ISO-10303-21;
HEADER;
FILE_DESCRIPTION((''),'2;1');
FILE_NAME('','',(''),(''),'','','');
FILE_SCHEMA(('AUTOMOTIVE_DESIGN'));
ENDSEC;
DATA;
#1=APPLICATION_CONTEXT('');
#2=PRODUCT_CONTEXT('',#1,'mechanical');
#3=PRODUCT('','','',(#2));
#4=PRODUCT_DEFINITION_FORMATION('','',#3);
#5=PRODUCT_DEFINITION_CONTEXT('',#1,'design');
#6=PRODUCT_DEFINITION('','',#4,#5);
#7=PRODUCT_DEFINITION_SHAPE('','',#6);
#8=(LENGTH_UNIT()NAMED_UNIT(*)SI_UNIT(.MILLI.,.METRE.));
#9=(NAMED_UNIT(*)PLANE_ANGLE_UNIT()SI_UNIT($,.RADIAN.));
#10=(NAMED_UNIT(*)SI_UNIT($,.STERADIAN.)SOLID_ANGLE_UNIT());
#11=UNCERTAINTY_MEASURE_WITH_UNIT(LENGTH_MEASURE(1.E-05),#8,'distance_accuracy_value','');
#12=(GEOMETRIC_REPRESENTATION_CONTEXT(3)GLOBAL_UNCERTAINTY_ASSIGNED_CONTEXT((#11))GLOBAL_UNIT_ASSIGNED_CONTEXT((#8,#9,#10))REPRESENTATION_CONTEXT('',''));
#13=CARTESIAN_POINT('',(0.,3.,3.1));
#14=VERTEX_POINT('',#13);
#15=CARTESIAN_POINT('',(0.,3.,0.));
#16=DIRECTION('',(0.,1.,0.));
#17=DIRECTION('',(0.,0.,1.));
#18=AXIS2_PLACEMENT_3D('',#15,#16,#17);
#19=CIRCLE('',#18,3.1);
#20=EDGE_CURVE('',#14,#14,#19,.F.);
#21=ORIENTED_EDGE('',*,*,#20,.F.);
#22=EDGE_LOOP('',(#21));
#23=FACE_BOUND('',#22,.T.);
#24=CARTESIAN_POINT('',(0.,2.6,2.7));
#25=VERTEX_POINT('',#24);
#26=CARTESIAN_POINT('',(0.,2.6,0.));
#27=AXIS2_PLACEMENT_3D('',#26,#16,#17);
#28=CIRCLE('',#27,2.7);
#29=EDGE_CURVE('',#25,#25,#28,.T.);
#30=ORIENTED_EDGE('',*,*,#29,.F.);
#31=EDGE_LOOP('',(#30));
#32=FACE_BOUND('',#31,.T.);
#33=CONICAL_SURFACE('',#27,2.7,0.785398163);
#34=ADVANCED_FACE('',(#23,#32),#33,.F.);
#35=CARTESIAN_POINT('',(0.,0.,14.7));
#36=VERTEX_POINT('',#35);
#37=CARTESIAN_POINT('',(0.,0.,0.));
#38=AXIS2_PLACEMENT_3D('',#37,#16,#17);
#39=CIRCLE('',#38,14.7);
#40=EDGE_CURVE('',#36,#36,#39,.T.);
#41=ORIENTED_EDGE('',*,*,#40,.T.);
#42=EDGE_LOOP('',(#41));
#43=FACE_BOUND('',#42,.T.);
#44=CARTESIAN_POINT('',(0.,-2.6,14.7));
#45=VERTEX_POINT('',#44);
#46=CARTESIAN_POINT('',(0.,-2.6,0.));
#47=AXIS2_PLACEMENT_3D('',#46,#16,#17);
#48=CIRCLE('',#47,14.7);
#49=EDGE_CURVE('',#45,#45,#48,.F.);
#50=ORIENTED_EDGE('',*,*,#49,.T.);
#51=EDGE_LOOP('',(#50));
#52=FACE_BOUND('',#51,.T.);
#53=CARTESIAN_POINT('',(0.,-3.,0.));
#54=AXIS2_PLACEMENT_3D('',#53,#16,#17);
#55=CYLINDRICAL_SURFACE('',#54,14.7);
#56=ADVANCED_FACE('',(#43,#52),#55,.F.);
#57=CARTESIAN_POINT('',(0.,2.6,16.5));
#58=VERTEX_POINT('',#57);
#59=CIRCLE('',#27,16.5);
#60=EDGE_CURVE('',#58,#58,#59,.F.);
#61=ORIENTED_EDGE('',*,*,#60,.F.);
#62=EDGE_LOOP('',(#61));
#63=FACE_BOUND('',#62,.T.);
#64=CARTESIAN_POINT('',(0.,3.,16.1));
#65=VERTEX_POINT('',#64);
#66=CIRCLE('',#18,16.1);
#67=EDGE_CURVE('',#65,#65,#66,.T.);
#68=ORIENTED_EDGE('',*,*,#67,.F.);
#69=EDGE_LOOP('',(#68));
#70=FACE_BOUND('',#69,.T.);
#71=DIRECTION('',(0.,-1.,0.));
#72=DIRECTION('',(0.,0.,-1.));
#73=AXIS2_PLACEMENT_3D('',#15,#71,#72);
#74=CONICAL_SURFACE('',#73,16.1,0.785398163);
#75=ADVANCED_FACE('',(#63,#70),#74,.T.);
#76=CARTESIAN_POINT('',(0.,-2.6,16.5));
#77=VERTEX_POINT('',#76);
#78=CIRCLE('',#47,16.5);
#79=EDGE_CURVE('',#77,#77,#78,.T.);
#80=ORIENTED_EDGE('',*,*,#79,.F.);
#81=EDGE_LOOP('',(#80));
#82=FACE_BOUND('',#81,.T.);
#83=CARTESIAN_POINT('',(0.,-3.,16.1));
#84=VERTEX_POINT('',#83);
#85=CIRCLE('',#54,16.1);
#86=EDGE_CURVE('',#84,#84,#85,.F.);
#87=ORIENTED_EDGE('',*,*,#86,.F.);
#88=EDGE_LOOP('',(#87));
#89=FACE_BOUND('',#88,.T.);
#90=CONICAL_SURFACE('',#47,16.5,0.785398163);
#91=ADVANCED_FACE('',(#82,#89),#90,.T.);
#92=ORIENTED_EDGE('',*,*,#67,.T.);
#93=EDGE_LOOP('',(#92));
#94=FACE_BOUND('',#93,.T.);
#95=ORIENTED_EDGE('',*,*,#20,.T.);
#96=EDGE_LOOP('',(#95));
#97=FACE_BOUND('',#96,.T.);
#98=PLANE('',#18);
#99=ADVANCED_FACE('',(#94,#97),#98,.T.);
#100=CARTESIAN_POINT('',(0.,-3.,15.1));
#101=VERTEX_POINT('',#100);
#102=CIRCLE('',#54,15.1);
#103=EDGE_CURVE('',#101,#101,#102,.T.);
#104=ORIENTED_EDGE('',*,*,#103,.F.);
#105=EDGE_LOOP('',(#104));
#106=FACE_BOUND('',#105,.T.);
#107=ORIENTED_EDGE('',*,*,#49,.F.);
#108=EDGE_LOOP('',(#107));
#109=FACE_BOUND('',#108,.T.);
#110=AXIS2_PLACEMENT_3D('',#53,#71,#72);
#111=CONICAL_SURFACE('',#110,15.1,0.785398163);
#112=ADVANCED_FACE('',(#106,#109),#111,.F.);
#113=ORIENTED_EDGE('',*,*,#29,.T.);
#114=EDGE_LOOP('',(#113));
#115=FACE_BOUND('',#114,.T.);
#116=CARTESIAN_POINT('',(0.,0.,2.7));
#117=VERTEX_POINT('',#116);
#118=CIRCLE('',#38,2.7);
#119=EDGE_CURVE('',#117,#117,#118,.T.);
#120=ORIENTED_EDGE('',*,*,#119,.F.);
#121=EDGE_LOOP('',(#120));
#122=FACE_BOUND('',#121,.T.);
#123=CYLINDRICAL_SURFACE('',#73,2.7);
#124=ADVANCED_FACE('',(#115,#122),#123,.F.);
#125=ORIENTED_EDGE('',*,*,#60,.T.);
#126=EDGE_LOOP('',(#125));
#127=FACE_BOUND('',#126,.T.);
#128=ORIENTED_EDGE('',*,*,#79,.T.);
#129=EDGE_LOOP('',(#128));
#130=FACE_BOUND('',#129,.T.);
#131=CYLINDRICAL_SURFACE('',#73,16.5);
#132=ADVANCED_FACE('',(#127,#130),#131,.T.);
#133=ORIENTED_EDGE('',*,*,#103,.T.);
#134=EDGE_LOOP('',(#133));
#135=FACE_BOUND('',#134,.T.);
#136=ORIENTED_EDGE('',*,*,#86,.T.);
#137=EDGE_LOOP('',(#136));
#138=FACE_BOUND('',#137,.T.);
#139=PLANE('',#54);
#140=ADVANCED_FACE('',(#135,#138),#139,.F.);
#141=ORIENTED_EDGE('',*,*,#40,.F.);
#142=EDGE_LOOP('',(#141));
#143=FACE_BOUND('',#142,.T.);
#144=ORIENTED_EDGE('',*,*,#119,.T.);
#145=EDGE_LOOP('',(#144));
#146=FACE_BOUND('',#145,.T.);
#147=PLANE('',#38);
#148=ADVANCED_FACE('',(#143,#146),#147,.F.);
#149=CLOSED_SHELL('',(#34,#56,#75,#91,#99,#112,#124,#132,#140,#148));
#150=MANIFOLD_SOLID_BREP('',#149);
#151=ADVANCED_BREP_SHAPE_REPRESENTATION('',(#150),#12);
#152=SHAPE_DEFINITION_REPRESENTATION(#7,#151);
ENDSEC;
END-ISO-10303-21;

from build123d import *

# Parameters (mm, degrees)
SKETCH1_R           = 16.5
SKETCH1_R_2         = 2.7
BOSS_EXTRUDE1_DEPTH = 3
BOSS_EXTRUDE2_START = -3
SKETCH1_3_R         = 16.5
SKETCH1_3_R_2       = 14.7
BOSS_EXTRUDE2_DEPTH = 3
CHAMFER1_SIZE       = 0.4


with BuildPart() as part:
    # Sketch1 → Boss-Extrude1 (new body)
    with BuildSketch(Plane(origin=(0, 0, 0), x_dir=(1, 0, 0), z_dir=(0, 1, 0))):
        Circle(SKETCH1_R)
        Circle(SKETCH1_R_2, mode=Mode.SUBTRACT)
    extrude(amount=BOSS_EXTRUDE1_DEPTH)

    # Sketch1<3> → Boss-Extrude2 (add)
    with BuildSketch(Plane(origin=(0, 0, 0), x_dir=(1, 0, 0), z_dir=(0, 1, 0)).offset(BOSS_EXTRUDE2_START)):
        Circle(SKETCH1_3_R)
        Circle(SKETCH1_3_R_2, mode=Mode.SUBTRACT)
    extrude(amount=BOSS_EXTRUDE2_DEPTH)

    # Chamfer1
    chamfer1_edges = [part.edges().sort_by_distance(p)[0] for p in [
        (-14.7, -3, 0),
        (-16.5, -3, 0),
        (-16.5, 3, 0),
        (-2.7, 3, 0),
    ]]
    chamfer(chamfer1_edges, length=CHAMFER1_SIZE)


solid = part.part
